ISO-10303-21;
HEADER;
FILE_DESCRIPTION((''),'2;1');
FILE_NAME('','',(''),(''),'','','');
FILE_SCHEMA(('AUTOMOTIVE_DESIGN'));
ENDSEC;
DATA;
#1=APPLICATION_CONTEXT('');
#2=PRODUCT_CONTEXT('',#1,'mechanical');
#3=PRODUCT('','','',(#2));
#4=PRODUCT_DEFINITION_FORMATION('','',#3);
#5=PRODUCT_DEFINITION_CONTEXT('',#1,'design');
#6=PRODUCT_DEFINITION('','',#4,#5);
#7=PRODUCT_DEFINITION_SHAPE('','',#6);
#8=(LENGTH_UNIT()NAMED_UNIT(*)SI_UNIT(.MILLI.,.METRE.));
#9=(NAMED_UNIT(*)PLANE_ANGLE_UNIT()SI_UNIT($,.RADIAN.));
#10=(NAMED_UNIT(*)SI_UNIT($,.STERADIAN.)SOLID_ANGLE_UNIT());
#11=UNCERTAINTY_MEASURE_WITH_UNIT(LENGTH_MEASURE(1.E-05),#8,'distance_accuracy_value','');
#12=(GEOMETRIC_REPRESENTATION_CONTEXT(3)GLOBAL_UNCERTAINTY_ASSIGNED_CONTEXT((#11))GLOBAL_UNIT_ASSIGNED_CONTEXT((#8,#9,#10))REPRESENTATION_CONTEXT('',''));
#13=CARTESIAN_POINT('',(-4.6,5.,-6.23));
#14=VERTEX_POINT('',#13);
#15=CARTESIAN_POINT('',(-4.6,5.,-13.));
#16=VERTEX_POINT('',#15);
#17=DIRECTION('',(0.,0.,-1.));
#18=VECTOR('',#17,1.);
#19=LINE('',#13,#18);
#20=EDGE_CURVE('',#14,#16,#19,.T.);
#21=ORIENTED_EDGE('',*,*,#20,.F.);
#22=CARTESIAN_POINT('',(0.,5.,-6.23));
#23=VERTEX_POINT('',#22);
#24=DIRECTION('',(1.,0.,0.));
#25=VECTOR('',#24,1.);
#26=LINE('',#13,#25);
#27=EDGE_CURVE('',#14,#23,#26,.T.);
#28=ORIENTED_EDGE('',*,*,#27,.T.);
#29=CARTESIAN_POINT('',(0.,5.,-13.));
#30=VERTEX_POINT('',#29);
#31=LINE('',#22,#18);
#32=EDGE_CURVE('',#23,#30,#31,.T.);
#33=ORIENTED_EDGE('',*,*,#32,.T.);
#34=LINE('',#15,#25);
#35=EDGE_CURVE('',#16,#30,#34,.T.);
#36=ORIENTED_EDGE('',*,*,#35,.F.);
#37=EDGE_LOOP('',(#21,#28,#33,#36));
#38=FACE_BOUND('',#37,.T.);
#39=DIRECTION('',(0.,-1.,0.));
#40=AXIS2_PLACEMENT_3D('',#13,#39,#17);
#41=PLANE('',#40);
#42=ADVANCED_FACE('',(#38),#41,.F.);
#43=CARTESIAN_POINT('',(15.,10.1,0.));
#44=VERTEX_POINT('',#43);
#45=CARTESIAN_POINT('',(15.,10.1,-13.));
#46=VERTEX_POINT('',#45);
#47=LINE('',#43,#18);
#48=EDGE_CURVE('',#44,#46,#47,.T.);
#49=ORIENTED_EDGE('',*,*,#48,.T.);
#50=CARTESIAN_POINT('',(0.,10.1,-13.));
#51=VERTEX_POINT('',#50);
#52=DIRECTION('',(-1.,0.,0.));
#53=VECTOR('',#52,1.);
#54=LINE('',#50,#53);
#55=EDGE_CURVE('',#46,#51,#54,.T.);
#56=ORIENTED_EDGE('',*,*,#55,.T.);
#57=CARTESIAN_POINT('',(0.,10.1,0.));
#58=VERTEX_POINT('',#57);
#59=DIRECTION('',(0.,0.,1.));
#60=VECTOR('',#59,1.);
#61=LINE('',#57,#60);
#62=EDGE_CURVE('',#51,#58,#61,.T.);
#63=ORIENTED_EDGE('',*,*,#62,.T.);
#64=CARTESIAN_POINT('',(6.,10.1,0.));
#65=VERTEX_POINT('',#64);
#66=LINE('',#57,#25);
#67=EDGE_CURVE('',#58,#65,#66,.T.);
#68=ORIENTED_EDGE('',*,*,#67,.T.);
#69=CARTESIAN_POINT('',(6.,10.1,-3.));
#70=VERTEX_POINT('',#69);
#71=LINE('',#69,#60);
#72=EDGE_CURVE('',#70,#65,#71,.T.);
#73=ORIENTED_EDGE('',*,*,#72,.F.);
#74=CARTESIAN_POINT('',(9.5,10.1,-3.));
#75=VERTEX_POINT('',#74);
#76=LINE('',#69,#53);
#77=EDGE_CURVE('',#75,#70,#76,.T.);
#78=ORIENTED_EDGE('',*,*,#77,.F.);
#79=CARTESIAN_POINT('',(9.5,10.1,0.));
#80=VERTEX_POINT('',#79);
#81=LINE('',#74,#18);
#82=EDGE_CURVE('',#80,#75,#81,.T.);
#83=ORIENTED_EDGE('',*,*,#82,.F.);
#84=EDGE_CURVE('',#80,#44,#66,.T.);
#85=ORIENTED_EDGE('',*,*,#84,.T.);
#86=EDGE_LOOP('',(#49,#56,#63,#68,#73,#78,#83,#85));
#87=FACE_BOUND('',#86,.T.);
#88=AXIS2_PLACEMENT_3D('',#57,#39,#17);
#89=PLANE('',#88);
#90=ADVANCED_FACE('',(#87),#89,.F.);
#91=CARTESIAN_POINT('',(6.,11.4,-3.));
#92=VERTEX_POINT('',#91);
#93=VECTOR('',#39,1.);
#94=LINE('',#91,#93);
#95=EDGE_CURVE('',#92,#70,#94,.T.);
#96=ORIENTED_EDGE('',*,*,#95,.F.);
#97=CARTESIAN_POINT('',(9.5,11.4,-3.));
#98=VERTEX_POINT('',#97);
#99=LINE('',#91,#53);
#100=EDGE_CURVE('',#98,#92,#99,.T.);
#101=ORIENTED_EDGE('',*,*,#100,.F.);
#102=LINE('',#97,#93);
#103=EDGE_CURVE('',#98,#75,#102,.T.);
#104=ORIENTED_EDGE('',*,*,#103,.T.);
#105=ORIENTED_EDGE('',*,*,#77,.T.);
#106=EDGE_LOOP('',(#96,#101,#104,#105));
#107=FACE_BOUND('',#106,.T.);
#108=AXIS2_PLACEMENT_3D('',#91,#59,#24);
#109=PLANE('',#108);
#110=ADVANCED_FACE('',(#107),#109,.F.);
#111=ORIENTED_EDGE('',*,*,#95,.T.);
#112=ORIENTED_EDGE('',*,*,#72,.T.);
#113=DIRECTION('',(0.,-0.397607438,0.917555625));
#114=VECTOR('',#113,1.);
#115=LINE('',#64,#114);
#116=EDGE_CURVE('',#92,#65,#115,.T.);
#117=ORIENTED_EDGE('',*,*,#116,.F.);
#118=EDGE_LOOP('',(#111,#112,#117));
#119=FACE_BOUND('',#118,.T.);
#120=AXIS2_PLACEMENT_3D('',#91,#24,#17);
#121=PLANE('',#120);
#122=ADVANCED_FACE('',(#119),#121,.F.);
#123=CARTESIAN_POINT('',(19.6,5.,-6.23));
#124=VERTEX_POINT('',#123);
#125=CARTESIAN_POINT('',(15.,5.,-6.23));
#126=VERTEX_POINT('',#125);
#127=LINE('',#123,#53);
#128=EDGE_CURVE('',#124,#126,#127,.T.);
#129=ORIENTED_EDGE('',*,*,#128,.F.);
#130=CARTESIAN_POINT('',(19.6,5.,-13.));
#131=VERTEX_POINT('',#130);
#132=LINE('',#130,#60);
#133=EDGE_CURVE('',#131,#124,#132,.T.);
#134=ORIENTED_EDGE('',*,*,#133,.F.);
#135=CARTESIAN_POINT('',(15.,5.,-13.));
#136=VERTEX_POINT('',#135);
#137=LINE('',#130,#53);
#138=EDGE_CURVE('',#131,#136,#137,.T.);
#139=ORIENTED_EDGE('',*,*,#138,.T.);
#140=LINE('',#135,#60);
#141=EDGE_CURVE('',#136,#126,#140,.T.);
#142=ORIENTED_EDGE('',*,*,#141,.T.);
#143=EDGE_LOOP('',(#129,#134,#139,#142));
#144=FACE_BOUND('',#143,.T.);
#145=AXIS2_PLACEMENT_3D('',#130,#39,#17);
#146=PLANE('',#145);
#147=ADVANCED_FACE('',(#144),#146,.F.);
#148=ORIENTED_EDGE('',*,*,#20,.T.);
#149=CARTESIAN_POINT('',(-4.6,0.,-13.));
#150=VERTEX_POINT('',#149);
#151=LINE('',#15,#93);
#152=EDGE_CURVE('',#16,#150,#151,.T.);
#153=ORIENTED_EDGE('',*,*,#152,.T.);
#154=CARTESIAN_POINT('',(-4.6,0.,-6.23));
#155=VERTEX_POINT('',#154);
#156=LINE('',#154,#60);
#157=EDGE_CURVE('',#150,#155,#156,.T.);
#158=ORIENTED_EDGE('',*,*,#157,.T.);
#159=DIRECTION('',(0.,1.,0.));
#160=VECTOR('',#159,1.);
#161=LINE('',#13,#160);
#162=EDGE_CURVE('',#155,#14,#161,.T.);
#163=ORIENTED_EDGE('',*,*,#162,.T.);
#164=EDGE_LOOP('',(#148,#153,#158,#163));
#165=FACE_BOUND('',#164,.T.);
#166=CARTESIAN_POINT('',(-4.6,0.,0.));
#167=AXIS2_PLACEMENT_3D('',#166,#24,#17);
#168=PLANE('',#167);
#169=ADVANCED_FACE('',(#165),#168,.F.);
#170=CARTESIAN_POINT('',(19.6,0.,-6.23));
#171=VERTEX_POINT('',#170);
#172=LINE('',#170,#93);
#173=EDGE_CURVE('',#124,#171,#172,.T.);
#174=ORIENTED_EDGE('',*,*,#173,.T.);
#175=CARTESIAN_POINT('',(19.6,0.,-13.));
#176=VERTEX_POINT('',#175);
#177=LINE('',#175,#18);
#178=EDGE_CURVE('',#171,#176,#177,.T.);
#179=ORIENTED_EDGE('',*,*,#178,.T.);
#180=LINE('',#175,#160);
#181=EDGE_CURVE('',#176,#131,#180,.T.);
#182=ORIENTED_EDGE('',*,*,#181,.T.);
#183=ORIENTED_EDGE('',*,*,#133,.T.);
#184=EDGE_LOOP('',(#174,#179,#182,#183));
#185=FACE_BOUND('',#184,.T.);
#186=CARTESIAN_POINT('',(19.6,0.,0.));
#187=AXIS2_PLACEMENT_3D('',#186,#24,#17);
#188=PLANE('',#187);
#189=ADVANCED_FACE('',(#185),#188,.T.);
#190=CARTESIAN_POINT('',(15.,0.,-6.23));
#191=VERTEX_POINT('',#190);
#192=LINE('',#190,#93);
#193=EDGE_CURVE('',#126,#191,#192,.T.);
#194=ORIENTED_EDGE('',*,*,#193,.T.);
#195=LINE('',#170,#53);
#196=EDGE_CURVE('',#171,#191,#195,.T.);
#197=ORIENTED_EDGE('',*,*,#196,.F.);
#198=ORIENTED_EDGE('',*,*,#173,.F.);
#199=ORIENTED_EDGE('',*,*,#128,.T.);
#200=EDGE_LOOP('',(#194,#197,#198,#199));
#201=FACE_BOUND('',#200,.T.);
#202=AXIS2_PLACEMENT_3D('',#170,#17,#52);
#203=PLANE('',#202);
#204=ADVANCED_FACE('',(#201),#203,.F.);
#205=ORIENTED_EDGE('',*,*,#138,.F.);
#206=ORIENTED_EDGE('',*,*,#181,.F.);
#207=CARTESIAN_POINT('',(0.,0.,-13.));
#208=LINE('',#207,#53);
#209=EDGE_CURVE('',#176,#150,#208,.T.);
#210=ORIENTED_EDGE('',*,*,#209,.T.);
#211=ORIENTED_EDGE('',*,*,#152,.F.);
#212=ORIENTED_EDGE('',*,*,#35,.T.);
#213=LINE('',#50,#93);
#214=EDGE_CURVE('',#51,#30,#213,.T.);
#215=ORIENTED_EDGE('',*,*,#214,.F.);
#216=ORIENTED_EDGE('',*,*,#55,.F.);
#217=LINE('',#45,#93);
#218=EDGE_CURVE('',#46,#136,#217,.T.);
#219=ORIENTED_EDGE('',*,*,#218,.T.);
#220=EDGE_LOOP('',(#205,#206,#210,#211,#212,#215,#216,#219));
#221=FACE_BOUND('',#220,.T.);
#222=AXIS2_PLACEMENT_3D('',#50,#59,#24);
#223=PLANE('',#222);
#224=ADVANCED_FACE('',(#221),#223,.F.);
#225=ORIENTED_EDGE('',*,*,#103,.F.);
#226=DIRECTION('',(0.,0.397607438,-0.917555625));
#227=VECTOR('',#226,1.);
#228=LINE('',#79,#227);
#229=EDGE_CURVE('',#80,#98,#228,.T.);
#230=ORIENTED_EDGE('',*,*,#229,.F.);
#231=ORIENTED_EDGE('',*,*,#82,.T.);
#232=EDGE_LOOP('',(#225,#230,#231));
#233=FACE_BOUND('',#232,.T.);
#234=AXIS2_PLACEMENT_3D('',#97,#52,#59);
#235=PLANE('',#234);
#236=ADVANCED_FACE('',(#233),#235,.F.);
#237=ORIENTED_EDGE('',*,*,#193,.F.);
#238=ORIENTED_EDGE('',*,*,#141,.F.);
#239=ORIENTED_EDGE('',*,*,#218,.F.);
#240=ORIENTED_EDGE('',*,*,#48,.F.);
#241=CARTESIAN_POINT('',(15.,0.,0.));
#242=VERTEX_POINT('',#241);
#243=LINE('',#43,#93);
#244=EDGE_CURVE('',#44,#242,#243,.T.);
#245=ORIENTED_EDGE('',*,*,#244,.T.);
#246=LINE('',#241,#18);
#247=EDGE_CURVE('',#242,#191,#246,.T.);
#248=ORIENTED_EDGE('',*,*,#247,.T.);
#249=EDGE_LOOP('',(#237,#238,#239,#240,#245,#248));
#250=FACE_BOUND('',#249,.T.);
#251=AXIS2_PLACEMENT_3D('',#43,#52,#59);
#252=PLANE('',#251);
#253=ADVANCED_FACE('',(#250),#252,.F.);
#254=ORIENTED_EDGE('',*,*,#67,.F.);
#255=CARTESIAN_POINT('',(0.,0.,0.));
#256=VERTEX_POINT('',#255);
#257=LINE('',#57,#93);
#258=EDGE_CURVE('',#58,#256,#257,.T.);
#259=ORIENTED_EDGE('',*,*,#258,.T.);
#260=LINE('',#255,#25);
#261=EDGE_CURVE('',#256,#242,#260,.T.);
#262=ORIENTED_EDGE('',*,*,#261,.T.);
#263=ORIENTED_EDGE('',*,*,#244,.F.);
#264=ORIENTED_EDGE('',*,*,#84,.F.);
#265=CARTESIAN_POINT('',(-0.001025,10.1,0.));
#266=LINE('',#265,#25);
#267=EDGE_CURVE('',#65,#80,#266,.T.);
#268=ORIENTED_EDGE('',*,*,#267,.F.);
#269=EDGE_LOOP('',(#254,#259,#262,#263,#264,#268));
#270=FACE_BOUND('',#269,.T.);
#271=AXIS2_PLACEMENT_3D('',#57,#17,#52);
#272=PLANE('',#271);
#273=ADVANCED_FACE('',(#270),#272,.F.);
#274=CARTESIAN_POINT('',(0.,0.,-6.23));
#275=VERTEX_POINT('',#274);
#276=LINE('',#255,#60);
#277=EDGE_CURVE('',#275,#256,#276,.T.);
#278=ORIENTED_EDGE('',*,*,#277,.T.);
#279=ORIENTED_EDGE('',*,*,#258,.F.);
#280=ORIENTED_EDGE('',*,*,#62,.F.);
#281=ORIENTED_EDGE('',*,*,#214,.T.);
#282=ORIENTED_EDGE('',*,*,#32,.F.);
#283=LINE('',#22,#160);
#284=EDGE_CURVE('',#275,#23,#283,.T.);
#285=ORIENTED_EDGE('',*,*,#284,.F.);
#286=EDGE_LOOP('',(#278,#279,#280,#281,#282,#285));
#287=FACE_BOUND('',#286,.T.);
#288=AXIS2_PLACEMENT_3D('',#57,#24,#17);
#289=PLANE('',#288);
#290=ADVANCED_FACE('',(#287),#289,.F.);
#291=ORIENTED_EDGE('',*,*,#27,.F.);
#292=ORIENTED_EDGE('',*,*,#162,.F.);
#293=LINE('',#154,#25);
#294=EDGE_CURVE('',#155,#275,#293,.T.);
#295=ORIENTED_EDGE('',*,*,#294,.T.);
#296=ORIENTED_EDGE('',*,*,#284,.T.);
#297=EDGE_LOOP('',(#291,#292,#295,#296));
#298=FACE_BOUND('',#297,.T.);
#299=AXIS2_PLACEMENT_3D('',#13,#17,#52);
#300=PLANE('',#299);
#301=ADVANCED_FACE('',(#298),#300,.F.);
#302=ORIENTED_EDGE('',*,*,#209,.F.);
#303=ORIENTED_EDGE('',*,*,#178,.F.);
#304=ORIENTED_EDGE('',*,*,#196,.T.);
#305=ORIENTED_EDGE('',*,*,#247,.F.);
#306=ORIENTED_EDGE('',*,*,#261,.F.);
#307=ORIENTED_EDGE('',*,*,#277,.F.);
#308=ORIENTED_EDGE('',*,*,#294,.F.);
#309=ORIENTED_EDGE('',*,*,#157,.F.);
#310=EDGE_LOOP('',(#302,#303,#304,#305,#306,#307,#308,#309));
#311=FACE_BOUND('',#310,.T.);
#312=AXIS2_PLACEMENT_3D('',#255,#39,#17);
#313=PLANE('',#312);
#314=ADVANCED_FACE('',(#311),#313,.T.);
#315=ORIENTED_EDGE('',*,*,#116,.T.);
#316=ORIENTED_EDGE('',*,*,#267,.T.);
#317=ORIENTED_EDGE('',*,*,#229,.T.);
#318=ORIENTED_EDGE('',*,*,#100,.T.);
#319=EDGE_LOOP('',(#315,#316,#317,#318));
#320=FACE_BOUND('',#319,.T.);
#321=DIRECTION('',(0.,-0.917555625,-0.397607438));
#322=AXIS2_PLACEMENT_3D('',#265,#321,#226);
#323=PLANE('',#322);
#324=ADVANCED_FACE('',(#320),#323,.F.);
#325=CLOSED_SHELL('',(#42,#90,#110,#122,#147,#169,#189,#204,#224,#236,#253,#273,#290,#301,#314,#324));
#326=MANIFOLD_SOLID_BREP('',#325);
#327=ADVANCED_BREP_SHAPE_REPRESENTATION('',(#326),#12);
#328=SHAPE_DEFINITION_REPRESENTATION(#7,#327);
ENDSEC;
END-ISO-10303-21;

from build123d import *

# Parameters (mm, degrees)
SKETCH1_W           = 15
SKETCH1_H           = 13
BOSS_EXTRUDE1_DEPTH = 10.1
SKETCH2_W           = 3.5
SKETCH2_H           = 3
BOSS_EXTRUDE2_DEPTH = 1.3
CUT_EXTRUDE1_REACH  = 21.728
SKETCH4_W           = 6.77
SKETCH4_H           = 5
BOSS_EXTRUDE3_DEPTH = 4.6
SKETCH5_W           = 6.77
SKETCH5_H           = 5
BOSS_EXTRUDE4_DEPTH = 4.6


with BuildPart() as part:
    # Sketch1 → Boss-Extrude1 (new body)
    with BuildSketch(Plane(origin=(0, 0, 0), x_dir=(1, 0, 0), z_dir=(0, 1, 0))):
        with Locations((7.5, 6.5)):
            Rectangle(SKETCH1_W, SKETCH1_H)
    extrude(amount=BOSS_EXTRUDE1_DEPTH)

    # Sketch2 → Boss-Extrude2 (add)
    with BuildSketch(Plane(origin=(0, 10.1, 0), x_dir=(1, 0, 0), z_dir=(0, 1, 0))):
        with Locations((7.75, 1.5)):
            Rectangle(SKETCH2_W, SKETCH2_H)
    extrude(amount=BOSS_EXTRUDE2_DEPTH)

    # Sketch3 → Cut-Extrude1 (cut, up to next)
    with BuildSketch(Plane(origin=(9.5, 0, 0), x_dir=(0, 0, -1), z_dir=(1, 0, 0)), mode=Mode.PRIVATE) as cut_extrude1_sk1:
        Polygon((0, 10.1), (3, 11.4), (0, 11.4), align=None)
    cut_extrude1_tool1 = extrude(cut_extrude1_sk1.sketch, amount=-CUT_EXTRUDE1_REACH, mode=Mode.PRIVATE) & part.part
    add(cut_extrude1_tool1.solids().sort_by_distance((9.5, 10.966667, -1))[0], mode=Mode.SUBTRACT)

    # Sketch4 → Boss-Extrude3 (add)
    with BuildSketch(Plane(origin=(15, 0, 0), x_dir=(0, 0, -1), z_dir=(1, 0, 0))):
        with Locations((9.615, 2.5)):
            Rectangle(SKETCH4_W, SKETCH4_H)
    extrude(amount=BOSS_EXTRUDE3_DEPTH)

    # Sketch5 → Boss-Extrude4 (add)
    with BuildSketch(Plane.ZY):
        with Locations((-9.615, 2.5)):
            Rectangle(SKETCH5_W, SKETCH5_H)
    extrude(amount=BOSS_EXTRUDE4_DEPTH)


solid = part.part
